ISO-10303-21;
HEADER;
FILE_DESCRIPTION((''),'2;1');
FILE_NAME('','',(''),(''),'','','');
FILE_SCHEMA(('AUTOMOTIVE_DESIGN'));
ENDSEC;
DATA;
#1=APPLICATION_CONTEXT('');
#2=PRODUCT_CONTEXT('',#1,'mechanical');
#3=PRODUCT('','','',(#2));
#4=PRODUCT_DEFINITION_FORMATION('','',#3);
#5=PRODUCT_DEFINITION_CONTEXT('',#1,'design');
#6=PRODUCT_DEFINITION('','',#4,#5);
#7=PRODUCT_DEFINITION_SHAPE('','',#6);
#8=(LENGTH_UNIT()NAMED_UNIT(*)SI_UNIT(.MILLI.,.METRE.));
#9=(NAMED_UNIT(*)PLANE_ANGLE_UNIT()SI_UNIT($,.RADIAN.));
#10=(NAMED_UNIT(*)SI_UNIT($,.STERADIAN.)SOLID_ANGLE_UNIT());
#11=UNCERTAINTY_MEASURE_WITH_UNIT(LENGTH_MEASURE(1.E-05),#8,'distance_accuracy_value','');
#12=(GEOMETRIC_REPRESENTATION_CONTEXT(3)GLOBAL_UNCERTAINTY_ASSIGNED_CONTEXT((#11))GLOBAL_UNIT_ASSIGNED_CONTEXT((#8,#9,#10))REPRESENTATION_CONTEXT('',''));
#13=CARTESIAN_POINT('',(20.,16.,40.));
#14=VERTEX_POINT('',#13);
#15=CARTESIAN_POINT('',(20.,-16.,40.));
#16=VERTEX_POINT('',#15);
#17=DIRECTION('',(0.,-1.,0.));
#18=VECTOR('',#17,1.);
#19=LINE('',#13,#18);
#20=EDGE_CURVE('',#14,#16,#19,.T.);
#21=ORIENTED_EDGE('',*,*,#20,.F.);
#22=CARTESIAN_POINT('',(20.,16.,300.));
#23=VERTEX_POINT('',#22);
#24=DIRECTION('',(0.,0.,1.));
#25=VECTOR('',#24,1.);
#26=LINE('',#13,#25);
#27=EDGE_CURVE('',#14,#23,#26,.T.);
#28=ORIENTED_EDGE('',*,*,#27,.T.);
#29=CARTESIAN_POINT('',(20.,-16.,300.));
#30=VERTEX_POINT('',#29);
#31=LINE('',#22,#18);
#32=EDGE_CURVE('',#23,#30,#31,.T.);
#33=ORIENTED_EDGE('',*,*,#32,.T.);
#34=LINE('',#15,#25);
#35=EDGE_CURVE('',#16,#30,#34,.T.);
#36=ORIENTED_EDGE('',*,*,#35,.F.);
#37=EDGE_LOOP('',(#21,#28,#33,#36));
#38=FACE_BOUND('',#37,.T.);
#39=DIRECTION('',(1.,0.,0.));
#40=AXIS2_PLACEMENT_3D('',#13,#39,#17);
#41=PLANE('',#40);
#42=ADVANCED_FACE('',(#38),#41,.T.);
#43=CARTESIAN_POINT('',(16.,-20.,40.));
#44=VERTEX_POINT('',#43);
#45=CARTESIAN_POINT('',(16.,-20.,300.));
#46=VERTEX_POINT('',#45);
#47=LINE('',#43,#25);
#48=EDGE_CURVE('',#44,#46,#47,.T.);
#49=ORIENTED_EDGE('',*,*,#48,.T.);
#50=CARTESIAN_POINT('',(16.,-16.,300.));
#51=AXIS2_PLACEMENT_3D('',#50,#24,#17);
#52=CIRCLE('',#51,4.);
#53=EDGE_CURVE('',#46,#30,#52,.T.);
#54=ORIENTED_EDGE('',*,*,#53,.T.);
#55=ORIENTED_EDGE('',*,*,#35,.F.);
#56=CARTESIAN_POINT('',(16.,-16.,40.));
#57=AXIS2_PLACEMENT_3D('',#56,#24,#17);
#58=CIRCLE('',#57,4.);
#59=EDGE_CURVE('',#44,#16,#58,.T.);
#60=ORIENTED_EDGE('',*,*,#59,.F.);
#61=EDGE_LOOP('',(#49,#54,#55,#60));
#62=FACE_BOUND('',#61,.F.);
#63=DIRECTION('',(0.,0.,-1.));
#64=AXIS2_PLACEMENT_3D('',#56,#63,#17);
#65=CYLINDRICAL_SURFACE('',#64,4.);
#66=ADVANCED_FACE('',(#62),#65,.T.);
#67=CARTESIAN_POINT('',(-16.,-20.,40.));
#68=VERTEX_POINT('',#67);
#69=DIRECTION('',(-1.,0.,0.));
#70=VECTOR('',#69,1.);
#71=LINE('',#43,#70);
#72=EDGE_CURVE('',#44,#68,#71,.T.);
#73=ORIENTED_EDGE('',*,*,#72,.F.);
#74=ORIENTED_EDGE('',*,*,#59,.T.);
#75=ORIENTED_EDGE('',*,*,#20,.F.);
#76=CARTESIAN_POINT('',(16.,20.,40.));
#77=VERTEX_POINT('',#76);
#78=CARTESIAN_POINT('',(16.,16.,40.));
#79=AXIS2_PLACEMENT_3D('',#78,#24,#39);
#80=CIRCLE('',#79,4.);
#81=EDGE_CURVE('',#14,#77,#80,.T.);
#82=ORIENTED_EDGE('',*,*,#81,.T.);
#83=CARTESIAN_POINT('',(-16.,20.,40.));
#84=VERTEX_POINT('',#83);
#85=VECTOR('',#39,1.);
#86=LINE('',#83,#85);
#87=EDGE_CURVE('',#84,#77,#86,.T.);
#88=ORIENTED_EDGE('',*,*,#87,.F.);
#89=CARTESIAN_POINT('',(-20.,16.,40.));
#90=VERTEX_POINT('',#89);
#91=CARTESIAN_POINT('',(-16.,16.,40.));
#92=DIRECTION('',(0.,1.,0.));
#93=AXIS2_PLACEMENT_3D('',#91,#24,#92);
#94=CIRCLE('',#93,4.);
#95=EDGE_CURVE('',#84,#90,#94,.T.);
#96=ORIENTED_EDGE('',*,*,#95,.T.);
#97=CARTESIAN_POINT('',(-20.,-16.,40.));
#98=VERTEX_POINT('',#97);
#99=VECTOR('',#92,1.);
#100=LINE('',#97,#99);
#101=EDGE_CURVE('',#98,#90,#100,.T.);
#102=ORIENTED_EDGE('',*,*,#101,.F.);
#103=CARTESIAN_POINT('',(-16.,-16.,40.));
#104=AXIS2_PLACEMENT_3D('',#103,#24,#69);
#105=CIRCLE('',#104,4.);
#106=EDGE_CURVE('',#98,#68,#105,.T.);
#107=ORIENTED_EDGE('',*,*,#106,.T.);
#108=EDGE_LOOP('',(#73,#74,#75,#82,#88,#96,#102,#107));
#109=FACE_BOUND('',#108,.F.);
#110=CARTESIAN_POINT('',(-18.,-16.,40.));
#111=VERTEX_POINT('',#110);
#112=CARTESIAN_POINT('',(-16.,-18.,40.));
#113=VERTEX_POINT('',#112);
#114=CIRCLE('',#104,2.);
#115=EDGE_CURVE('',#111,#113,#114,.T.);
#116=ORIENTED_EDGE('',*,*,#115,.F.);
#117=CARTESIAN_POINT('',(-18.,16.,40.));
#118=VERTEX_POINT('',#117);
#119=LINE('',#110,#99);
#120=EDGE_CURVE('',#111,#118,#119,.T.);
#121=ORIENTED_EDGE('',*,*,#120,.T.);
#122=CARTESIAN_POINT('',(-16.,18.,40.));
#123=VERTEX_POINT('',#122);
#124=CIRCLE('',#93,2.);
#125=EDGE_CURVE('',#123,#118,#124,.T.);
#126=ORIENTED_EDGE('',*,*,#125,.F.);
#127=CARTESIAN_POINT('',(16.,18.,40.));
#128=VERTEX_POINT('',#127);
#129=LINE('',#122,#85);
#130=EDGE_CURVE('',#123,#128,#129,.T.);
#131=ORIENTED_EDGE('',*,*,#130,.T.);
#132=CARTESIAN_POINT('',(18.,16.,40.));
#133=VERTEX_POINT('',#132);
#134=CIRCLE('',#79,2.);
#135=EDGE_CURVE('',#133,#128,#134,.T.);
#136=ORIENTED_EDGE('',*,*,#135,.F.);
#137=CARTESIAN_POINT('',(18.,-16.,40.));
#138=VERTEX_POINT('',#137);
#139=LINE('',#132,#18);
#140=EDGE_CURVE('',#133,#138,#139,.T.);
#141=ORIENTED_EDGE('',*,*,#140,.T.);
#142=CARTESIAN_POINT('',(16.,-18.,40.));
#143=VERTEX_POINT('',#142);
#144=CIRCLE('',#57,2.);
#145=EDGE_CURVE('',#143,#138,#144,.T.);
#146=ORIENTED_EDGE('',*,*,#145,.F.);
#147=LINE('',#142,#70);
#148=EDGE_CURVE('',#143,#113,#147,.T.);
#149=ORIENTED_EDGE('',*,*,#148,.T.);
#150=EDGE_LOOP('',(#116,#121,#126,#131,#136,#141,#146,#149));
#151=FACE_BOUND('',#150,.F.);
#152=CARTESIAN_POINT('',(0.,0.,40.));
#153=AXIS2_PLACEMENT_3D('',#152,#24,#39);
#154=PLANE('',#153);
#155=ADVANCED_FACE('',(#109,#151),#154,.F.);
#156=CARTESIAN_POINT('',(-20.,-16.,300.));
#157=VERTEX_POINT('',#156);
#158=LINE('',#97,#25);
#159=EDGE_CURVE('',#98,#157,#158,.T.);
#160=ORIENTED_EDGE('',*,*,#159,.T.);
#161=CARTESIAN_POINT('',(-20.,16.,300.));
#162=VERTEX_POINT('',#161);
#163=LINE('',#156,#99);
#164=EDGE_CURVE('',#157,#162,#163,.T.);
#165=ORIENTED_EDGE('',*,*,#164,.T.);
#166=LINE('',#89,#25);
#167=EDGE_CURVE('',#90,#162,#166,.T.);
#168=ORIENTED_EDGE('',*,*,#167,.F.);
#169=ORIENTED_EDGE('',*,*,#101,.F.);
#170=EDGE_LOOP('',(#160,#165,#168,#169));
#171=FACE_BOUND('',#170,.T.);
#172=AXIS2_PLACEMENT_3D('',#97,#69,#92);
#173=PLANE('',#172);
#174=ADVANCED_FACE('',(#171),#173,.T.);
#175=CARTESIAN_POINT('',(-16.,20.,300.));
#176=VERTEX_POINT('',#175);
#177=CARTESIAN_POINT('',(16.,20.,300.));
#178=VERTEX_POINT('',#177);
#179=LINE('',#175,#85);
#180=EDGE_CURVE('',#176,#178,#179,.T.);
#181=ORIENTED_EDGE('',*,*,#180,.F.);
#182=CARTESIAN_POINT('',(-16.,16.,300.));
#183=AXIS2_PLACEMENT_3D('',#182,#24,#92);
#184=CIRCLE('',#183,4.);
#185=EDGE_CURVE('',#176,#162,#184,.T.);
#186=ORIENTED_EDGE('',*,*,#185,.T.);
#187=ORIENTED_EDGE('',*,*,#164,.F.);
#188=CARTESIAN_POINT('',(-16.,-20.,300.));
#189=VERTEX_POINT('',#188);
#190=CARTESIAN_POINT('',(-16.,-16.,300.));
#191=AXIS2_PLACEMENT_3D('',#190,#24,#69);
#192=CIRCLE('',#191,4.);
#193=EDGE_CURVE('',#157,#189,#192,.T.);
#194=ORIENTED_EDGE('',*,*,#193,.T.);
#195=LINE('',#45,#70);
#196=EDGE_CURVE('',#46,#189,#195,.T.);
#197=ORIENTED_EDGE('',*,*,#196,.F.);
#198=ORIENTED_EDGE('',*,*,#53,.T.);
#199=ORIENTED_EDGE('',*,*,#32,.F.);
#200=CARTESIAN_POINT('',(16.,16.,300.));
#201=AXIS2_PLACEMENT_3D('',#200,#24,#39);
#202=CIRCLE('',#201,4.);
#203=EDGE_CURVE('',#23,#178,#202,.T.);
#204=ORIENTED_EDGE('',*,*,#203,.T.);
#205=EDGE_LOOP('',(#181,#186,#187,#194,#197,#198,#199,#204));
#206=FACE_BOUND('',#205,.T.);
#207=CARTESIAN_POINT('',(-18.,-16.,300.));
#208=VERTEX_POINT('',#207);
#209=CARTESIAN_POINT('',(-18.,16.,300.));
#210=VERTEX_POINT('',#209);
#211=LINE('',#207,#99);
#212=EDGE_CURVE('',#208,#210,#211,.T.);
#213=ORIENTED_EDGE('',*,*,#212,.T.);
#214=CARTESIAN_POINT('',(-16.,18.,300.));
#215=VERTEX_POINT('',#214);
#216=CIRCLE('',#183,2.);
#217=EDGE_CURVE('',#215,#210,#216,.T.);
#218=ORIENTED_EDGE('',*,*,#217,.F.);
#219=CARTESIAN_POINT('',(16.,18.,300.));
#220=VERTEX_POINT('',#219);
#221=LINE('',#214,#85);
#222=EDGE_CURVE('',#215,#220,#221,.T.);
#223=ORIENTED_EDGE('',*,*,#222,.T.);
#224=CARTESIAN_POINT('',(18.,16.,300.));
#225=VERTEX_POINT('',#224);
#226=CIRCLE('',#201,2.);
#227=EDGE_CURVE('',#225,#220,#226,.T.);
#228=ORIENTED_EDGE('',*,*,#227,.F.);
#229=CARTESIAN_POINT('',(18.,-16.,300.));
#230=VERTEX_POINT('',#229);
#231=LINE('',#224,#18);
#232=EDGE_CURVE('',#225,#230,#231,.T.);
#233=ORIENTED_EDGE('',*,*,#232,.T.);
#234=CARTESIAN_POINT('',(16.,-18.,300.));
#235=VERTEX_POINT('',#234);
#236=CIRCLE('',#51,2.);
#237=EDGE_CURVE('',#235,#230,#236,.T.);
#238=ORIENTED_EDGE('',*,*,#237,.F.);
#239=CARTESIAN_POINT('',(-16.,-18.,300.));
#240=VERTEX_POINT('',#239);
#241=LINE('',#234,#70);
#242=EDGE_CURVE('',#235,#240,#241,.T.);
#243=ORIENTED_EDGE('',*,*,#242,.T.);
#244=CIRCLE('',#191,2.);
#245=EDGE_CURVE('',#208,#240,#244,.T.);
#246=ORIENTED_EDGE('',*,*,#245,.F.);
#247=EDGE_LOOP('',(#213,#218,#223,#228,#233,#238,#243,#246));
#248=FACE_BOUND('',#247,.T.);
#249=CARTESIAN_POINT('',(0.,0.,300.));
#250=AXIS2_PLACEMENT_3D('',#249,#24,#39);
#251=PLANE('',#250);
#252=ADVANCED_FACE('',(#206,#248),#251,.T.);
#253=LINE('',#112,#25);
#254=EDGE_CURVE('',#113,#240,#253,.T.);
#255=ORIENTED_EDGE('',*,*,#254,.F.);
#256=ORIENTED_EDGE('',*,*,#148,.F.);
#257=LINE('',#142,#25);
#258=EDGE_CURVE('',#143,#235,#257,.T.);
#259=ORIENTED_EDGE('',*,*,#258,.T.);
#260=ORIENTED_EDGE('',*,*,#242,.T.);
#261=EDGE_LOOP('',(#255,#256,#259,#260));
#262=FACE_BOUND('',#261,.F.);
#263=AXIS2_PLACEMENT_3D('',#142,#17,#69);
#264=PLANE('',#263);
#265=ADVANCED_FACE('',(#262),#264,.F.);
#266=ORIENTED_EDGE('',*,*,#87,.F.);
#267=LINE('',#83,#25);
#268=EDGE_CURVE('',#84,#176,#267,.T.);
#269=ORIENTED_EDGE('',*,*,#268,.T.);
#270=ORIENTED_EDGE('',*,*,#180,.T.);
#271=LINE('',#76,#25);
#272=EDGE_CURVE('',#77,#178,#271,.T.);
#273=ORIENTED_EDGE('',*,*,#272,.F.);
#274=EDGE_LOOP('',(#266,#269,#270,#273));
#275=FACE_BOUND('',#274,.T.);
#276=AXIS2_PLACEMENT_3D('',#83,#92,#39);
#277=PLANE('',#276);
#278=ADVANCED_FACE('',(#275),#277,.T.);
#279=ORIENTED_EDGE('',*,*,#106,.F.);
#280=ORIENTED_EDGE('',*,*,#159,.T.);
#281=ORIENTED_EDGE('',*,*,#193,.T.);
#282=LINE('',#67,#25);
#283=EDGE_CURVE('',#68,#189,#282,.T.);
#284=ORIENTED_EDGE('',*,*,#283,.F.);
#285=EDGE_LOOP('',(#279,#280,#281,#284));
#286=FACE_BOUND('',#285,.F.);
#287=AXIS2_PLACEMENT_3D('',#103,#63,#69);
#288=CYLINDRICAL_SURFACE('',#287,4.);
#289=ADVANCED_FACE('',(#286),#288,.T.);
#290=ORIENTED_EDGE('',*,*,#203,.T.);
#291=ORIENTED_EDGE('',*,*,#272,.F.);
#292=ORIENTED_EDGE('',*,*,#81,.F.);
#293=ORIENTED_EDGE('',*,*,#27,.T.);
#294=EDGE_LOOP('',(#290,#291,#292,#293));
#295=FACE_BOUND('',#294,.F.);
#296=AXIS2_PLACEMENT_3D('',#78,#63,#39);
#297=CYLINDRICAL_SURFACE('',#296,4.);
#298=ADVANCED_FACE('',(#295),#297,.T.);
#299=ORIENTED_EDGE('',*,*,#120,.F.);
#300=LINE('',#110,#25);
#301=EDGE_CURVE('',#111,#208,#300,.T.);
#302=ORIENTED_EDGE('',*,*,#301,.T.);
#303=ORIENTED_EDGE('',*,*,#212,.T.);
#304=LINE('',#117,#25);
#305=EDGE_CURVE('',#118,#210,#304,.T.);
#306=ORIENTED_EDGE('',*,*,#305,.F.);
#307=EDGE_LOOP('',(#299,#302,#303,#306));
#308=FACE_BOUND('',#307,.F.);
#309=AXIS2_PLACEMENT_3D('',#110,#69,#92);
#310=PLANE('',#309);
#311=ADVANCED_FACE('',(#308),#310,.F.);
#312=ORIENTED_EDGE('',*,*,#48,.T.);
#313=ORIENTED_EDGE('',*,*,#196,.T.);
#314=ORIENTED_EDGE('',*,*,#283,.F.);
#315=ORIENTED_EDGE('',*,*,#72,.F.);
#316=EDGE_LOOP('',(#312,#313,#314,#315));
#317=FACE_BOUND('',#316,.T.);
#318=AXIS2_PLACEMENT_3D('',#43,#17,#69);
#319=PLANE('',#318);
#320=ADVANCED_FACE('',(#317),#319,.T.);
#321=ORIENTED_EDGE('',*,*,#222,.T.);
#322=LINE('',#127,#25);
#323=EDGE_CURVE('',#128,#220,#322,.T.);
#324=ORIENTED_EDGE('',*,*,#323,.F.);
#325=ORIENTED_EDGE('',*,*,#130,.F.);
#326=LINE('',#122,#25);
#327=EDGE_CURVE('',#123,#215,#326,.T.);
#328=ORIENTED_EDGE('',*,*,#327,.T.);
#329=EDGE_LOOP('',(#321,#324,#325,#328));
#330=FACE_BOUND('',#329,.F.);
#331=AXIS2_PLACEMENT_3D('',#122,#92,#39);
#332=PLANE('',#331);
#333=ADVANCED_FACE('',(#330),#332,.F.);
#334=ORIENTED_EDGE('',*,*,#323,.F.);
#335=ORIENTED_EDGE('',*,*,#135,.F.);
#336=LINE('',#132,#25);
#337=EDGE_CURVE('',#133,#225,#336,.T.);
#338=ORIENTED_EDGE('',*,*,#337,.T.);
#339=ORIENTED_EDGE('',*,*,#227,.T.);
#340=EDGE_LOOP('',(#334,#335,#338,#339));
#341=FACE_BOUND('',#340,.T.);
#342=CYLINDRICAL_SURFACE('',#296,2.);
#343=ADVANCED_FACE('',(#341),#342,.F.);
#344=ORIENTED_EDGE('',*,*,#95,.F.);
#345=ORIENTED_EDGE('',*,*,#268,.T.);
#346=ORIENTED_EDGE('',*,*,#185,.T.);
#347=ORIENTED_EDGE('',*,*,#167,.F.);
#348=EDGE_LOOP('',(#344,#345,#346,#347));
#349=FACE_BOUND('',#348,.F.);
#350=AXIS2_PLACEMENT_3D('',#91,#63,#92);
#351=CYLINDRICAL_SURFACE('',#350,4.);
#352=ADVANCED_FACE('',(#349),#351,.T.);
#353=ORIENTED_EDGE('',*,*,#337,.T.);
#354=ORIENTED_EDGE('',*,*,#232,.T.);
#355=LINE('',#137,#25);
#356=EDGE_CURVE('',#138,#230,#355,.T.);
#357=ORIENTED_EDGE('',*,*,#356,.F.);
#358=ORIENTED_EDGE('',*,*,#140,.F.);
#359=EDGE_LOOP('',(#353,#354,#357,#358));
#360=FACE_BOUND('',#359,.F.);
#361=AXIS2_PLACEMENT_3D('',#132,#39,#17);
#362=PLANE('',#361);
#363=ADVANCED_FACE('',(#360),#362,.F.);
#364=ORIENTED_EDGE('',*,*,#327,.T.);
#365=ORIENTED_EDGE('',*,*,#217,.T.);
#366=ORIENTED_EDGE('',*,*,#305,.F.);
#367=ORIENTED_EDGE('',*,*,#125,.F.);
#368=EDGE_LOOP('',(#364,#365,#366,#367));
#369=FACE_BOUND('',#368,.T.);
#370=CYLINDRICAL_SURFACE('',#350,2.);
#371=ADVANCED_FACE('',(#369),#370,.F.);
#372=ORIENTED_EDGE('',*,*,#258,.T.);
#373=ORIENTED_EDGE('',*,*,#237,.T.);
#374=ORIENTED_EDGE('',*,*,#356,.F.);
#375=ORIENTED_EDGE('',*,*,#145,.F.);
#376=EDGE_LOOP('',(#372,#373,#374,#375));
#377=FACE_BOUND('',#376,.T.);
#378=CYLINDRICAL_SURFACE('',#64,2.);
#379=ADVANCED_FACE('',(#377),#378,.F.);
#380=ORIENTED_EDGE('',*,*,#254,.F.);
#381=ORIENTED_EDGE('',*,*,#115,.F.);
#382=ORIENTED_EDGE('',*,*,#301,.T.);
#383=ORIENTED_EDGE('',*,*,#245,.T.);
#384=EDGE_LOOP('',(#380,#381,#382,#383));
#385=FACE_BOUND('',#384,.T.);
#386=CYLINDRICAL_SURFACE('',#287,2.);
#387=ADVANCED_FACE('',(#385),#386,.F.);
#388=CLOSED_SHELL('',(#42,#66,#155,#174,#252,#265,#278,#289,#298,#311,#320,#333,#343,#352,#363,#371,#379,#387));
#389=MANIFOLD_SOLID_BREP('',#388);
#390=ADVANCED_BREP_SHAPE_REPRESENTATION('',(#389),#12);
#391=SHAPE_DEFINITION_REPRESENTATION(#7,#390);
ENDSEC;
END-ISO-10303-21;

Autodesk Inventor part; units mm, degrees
ref_plane "YZ Plane" through (0, 0, 0) normal (1, 0, 0) x (0, 1, 0)
ref_plane "Start Plane" through (0, 0, 40) normal (0, 0, 1) x (1, 0, 0)
ref_plane "End Plane" through (0, 0, 300) normal (0, 0, 1) x (1, 0, 0)
sketch "Sketch" plane through (0, 0, 0) normal (0, 0, 1) x (1, 0, 0)
  line L0 (-20, -16) -> (-20, 16)
  line L1 (-16, 20) -> (16, 20)
  line L2 (20, 16) -> (20, -16)
  line L3 (16, -20) -> (-16, -20)
  arc A0 (-20, -16) -> (-16, -20) centre (-16, -16) ccw
  arc A1 (20, 16) -> (16, 20) centre (16, 16) ccw
  arc A2 (-16, 20) -> (-20, 16) centre (-16, 16) ccw
  arc A3 (16, -20) -> (20, -16) centre (16, -16) ccw
  arc A4 (-16, 18) -> (-18, 16) centre (-16, 16) ccw
  line L4 (-16, 18) -> (16, 18)
  arc A5 (18, 16) -> (16, 18) centre (16, 16) ccw
  line L5 (18, 16) -> (18, -16)
  arc A6 (16, -18) -> (18, -16) centre (16, -16) ccw
  line L6 (16, -18) -> (-16, -18)
  arc A7 (-18, -16) -> (-16, -18) centre (-16, -16) ccw
  line L7 (-18, -16) -> (-18, 16)
  line L8 (0, 29.1598) -> (0, -29.1598) construction
  line L9 (-29.1598, 0) -> (29.1598, 0) construction
  dimension "d7" = 4
  dimension "d9" = 40
  dimension "d11" = 40
  dimension "d12" = 2
  dimension "d15" = 20
  dimension "d16" = 20
extrude "Body" add sketch "Sketch" along normal up to surface (260 mm away) from surface at 40
sketch "Sketch3" plane through (0, 0, 0) normal (0, 0, 1) x (1, 0, 0)
  line L0 (0, 0) -> (10, 0)
ref_plane "Work Plane3" through (0, 0, 0) normal (0, -1, 0) x (1, 0, 0)
sketch "Sketch4" plane through (0, 0, 0) normal (0, -1, 0) x (1, 0, 0)
  line L0 (-2, 40) -> (12, 40) projected
  line L1 (-2, 300) -> (12, 300) projected
  dimension "d18" = 260
equation "\"d7\" = G_IR"
equation "\"d9\" = G_W"
equation "\"d11\" = G_H"
equation "\"d12\" = G_T"
equation "\"d15\" = 0.5 * d9"
equation "\"d16\" = 0.5 * d11"
equation "\"d3\" = G_L"
equation "\"G_W\" = 40"
equation "\"G_H\" = 40"
equation "\"G_T\" = 2"
equation "\"G_IR\" = 4"
equation "\"G_L\" = d18"
properties part number "ISO 4019 - 40x40x2 - 260" material "Steel"
